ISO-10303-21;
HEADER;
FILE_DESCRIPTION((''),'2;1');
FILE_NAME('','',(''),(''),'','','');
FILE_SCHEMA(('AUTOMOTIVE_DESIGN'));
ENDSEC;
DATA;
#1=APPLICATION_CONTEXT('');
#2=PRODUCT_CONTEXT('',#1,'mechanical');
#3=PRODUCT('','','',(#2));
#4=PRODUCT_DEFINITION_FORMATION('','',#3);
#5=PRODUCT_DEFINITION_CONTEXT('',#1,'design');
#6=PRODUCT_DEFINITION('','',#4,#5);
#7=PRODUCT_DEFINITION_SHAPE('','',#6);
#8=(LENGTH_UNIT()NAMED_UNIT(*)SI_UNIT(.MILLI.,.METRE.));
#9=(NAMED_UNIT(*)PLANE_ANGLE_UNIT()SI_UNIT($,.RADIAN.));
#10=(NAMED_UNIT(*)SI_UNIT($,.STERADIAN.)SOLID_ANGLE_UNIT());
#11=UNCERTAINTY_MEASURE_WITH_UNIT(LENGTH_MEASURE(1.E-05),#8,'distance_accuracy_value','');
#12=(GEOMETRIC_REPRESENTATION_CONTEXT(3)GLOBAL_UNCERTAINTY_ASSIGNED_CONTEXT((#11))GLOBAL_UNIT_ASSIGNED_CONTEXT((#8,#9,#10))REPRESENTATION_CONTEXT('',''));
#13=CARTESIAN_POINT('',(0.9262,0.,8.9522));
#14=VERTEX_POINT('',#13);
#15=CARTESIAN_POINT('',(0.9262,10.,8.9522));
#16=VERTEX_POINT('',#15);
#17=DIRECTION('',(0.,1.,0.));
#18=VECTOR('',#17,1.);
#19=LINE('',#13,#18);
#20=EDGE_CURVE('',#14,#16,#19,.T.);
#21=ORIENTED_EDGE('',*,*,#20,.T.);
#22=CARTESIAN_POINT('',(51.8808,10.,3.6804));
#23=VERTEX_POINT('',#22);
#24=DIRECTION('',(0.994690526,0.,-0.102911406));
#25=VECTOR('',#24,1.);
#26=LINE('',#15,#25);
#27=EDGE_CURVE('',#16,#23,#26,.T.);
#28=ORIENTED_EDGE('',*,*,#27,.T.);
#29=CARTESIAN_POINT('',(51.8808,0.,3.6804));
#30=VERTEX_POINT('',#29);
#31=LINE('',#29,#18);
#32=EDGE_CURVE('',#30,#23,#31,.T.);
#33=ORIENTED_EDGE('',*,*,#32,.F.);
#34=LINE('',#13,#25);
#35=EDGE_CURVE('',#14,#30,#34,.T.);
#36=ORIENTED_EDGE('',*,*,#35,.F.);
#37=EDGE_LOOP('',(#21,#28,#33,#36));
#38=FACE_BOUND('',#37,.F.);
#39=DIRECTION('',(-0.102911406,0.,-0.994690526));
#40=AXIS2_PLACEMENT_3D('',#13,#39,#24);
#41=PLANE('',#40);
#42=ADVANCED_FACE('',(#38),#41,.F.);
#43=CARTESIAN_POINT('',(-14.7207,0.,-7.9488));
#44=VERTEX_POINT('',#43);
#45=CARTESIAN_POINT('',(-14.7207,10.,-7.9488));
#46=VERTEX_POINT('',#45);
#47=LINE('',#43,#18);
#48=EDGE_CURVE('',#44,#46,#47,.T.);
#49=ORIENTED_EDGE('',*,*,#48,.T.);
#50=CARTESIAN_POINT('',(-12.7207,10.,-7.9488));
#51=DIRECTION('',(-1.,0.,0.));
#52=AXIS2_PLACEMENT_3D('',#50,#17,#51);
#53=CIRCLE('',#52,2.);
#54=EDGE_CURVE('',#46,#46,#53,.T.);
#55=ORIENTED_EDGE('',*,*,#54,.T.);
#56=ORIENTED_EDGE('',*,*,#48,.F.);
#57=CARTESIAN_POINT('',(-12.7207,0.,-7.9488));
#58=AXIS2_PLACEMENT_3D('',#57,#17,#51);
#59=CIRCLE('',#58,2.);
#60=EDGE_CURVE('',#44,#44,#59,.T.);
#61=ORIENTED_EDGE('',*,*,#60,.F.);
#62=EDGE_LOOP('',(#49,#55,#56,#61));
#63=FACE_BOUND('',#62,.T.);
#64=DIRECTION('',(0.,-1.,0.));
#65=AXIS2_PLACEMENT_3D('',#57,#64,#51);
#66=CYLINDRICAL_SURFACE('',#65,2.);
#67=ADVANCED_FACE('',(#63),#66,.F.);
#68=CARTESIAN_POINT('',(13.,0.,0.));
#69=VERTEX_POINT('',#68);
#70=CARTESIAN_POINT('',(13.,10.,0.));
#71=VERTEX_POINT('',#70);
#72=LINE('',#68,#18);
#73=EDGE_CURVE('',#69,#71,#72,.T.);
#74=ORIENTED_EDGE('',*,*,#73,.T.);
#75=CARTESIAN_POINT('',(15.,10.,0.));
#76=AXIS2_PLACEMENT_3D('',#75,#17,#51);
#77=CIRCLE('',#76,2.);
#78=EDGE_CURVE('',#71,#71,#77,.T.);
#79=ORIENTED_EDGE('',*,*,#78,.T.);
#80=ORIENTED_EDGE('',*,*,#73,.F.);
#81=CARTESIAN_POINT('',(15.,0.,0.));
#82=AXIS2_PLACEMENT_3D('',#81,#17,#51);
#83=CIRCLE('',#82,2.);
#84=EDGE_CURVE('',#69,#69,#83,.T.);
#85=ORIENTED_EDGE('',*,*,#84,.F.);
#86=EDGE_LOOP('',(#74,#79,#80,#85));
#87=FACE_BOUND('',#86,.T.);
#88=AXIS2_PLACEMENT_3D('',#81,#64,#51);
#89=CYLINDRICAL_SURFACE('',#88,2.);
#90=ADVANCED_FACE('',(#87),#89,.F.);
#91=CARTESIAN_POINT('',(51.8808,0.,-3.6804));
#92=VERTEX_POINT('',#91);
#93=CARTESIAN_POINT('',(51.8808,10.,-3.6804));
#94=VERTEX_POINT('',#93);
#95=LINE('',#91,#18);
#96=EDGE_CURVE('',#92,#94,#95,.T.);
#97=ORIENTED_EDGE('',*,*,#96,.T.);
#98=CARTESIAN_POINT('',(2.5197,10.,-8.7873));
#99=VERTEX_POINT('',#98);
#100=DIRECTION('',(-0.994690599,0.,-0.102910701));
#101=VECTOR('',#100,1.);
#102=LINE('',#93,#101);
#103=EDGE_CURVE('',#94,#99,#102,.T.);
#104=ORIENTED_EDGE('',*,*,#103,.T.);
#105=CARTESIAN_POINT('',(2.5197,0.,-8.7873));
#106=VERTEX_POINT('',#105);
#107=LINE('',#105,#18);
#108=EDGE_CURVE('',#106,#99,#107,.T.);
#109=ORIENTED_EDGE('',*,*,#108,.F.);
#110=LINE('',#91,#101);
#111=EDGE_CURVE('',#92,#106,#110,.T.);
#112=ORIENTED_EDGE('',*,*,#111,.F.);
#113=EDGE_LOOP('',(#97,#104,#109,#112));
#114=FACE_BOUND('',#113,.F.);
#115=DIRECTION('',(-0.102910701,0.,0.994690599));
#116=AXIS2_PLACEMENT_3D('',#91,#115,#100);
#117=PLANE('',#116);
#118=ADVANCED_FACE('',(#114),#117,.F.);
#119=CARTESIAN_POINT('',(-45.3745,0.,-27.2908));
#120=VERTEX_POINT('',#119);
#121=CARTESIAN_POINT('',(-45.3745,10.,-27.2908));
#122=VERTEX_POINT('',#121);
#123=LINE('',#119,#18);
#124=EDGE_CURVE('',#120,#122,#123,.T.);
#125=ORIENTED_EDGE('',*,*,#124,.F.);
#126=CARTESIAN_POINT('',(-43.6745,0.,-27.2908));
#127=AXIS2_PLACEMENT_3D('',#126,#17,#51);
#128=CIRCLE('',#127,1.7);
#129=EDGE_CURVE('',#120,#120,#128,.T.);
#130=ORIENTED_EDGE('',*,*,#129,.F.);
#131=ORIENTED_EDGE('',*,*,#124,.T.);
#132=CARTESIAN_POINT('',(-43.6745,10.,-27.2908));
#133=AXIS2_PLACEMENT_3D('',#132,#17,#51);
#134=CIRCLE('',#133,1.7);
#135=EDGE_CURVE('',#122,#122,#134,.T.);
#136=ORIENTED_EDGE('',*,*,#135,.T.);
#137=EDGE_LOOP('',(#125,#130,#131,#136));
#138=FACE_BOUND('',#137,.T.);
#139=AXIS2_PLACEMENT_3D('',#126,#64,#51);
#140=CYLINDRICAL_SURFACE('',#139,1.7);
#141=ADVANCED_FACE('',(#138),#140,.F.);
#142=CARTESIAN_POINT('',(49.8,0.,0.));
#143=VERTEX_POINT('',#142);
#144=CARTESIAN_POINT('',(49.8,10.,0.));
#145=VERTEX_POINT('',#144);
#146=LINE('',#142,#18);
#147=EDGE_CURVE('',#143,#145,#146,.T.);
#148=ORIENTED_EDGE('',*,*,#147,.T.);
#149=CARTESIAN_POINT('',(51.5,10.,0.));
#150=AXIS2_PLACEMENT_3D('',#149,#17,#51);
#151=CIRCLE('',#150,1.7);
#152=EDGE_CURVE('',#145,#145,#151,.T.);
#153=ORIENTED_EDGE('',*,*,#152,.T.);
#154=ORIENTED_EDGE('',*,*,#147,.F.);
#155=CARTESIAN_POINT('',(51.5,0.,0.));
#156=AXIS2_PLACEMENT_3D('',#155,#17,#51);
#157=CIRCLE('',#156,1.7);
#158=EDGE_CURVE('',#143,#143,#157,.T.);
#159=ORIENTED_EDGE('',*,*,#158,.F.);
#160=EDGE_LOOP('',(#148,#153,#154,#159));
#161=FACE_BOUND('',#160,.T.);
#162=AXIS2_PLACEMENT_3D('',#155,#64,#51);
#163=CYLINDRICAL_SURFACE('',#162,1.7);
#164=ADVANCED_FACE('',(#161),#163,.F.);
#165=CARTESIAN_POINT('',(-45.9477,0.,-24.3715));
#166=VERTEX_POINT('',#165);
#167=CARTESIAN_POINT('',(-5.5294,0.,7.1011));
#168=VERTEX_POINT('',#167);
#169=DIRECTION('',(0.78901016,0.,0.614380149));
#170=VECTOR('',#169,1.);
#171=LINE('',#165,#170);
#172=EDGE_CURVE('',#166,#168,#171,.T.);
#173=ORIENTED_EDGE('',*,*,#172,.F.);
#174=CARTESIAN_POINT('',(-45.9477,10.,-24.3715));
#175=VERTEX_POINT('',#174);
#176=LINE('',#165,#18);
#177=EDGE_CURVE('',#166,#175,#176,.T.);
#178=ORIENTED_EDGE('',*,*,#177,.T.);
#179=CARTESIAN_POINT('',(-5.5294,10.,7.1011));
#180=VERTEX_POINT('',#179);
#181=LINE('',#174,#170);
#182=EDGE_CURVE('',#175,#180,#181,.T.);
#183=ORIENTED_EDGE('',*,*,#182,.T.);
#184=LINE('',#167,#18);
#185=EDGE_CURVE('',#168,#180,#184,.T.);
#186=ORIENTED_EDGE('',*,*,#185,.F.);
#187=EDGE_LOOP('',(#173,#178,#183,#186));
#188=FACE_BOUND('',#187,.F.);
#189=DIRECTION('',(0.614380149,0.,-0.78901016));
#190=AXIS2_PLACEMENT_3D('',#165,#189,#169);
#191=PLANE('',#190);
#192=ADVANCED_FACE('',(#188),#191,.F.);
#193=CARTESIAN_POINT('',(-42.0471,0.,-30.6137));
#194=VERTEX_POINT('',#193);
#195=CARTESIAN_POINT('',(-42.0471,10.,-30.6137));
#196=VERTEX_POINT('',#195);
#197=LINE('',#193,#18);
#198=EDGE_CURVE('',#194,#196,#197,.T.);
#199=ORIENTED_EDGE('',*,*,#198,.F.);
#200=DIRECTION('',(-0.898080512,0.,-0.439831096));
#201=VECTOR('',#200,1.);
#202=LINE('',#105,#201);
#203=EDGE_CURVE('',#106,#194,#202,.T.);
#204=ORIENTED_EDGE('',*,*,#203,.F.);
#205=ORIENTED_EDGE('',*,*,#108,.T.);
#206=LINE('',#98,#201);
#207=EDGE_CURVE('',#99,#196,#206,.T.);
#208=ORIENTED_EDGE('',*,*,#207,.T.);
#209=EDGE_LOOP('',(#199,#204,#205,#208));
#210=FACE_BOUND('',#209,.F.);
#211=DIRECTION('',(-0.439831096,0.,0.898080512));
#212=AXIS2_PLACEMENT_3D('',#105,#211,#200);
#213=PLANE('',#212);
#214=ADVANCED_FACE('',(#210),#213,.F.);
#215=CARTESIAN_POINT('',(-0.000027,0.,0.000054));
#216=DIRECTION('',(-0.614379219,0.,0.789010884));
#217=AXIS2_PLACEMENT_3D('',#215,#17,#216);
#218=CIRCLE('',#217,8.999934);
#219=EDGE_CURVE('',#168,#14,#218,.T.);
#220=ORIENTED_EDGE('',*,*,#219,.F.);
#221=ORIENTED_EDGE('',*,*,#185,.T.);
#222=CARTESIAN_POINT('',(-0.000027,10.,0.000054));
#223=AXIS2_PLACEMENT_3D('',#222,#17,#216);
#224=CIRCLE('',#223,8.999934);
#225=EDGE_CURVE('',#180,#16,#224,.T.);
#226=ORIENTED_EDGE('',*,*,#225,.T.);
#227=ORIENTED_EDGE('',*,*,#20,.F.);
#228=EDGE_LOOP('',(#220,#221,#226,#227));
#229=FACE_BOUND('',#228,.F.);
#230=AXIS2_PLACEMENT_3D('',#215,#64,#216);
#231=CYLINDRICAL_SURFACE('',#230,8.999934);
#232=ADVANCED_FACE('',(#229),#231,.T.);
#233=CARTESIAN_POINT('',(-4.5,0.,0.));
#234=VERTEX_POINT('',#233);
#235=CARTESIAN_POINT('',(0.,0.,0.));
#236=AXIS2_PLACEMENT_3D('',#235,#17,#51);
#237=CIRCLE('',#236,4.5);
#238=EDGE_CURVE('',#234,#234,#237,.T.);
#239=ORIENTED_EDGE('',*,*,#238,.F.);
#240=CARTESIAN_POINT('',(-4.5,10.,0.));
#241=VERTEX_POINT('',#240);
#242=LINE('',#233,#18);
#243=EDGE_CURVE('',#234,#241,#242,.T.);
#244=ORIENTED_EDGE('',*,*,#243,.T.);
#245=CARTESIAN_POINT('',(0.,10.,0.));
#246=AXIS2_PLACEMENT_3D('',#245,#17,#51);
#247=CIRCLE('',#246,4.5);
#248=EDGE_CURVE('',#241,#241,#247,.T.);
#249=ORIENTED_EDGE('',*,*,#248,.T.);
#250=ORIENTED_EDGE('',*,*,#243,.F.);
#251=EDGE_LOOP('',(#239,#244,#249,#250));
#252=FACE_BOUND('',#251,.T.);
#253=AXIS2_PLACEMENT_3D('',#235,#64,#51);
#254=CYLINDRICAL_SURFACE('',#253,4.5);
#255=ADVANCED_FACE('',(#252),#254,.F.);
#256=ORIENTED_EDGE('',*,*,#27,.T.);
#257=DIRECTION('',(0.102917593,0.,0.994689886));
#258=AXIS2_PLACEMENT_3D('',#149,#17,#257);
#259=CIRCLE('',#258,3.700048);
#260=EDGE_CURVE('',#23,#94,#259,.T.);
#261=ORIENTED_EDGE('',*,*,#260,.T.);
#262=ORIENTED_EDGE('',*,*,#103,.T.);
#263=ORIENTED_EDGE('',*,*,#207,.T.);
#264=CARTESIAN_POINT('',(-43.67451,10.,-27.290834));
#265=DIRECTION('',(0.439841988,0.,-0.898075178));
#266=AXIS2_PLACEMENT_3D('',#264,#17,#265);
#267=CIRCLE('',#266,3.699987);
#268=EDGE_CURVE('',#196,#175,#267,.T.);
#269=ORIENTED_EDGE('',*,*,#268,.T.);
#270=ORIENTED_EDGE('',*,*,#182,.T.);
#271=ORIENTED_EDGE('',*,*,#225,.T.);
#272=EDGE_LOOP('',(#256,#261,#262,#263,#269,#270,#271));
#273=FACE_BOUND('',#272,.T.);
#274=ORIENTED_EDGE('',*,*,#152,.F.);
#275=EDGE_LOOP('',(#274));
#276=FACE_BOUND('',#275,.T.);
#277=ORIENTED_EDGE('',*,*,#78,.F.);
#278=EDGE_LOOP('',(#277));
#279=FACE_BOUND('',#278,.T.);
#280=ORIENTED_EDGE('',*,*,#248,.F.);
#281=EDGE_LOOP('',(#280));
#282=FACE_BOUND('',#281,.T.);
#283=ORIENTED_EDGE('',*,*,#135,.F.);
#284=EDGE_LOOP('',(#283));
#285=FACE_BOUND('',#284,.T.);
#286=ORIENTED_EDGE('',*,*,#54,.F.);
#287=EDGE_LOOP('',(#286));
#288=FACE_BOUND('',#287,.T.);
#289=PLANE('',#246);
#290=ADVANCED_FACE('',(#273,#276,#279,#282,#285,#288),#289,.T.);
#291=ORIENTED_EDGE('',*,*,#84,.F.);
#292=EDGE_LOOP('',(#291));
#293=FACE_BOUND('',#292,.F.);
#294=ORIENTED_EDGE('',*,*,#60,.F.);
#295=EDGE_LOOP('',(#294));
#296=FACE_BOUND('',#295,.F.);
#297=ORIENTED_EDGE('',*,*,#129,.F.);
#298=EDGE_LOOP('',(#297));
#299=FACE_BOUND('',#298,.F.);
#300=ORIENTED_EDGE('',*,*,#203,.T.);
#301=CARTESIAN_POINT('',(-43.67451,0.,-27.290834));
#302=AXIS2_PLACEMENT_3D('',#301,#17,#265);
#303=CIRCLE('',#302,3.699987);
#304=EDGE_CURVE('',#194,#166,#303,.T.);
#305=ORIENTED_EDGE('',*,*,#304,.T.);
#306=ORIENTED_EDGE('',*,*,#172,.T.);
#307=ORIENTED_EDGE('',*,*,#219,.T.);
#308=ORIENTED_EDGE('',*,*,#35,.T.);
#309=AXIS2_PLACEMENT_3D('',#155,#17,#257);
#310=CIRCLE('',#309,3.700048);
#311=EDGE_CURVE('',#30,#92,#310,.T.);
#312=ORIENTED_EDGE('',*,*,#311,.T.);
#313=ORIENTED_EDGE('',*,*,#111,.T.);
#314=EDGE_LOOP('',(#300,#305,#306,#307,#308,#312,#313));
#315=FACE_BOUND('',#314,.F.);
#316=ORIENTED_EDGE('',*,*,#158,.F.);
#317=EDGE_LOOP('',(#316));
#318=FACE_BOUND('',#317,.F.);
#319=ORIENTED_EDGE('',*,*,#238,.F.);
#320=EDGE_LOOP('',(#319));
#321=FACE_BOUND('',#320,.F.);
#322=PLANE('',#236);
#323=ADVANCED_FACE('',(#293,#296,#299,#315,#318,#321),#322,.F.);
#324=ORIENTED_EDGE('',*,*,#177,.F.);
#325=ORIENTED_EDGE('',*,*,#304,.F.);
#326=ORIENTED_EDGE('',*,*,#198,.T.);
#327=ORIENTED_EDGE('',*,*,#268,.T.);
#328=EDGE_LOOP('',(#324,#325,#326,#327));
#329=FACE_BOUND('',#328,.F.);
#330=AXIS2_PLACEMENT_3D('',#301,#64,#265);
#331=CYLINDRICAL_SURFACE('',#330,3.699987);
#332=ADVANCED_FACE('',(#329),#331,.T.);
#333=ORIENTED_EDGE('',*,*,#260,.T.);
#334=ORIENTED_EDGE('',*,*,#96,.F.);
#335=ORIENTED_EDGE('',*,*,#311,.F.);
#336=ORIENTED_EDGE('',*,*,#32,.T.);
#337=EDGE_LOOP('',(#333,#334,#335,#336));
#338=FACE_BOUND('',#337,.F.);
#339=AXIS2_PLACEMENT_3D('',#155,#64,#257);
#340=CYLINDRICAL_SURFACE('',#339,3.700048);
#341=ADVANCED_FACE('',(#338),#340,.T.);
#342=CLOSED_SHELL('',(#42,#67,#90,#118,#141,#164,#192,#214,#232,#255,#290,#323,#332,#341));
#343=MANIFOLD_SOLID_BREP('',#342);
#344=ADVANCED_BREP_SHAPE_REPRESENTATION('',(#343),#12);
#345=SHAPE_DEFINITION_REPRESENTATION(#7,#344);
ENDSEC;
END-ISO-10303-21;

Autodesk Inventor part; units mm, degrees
ref_plane "YZ Plane" through (0, 0, 0) normal (1, 0, 0) x (0, 1, 0)
ref_plane "XZ Plane" through (0, 0, 0) normal (0, 1, 0) x (-1, 0, 0)
ref_plane "XY Plane" through (0, 0, 0) normal (0, 0, 1) x (1, 0, 0)
sketch "Sketch1" plane through (0, 0, 0) normal (0, 1, 0) x (-1, 0, 0)
  arc A0 (-0.9262, 8.9522) -> (5.5294, 7.1011) centre (0, 0) ccw construction
  arc A1 (42.0471, -30.6137) -> (45.9477, -24.3715) centre (43.6745, -27.2908) ccw
  arc A2 (-51.8808, 3.6804) -> (-51.8808, -3.6804) centre (-51.5, 0) ccw
  line L0 (0, 0) -> (-51.5, 0) construction
  line L1 (0, 0) -> (43.6745, -27.2908) construction
  line L2 (-0.9262, 8.9522) -> (-51.8808, 3.6804)
  line L3 (-51.8808, -3.6804) -> (-2.5197, -8.7873)
  line L4 (-3.9585, -8.0827) -> (-2.5197, -8.7873) construction
  line L5 (45.9477, -24.3715) -> (5.5294, 7.1011)
  line L6 (-2.5197, -8.7873) -> (42.0471, -30.6137)
  line L7 (-2.5197, -8.7873) -> (-0.9262, -8.9522) construction
  arc A3 (5.5294, 7.1011) -> (-0.9262, 8.9522) centre (0, 0) ccw
  circle A4 centre (-15, 0) radius 2
  circle A5 centre (12.7207, -7.9488) radius 2
  circle A6 centre (43.6745, -27.2908) radius 1.7
  circle A7 centre (-51.5, 0) radius 1.7
  circle A8 centre (0, 0) radius 4.5
  dimension "d6" = 18
  dimension "d7" = 7.4
  dimension "d8" = 7.4
  dimension "d9" = 32
  dimension "d10" = 51.5
  dimension "d11" = 51.5
  dimension "d14" = 4
  dimension "d15" = 4
  dimension "d16" = 3.4
  dimension "d17" = 3.4
  dimension "d18" = 15
  dimension "d19" = 15
  dimension "d20" = 9
extrude "Extrusion1" add sketch "Sketch1" along normal blind 10
properties part number "Lever"
